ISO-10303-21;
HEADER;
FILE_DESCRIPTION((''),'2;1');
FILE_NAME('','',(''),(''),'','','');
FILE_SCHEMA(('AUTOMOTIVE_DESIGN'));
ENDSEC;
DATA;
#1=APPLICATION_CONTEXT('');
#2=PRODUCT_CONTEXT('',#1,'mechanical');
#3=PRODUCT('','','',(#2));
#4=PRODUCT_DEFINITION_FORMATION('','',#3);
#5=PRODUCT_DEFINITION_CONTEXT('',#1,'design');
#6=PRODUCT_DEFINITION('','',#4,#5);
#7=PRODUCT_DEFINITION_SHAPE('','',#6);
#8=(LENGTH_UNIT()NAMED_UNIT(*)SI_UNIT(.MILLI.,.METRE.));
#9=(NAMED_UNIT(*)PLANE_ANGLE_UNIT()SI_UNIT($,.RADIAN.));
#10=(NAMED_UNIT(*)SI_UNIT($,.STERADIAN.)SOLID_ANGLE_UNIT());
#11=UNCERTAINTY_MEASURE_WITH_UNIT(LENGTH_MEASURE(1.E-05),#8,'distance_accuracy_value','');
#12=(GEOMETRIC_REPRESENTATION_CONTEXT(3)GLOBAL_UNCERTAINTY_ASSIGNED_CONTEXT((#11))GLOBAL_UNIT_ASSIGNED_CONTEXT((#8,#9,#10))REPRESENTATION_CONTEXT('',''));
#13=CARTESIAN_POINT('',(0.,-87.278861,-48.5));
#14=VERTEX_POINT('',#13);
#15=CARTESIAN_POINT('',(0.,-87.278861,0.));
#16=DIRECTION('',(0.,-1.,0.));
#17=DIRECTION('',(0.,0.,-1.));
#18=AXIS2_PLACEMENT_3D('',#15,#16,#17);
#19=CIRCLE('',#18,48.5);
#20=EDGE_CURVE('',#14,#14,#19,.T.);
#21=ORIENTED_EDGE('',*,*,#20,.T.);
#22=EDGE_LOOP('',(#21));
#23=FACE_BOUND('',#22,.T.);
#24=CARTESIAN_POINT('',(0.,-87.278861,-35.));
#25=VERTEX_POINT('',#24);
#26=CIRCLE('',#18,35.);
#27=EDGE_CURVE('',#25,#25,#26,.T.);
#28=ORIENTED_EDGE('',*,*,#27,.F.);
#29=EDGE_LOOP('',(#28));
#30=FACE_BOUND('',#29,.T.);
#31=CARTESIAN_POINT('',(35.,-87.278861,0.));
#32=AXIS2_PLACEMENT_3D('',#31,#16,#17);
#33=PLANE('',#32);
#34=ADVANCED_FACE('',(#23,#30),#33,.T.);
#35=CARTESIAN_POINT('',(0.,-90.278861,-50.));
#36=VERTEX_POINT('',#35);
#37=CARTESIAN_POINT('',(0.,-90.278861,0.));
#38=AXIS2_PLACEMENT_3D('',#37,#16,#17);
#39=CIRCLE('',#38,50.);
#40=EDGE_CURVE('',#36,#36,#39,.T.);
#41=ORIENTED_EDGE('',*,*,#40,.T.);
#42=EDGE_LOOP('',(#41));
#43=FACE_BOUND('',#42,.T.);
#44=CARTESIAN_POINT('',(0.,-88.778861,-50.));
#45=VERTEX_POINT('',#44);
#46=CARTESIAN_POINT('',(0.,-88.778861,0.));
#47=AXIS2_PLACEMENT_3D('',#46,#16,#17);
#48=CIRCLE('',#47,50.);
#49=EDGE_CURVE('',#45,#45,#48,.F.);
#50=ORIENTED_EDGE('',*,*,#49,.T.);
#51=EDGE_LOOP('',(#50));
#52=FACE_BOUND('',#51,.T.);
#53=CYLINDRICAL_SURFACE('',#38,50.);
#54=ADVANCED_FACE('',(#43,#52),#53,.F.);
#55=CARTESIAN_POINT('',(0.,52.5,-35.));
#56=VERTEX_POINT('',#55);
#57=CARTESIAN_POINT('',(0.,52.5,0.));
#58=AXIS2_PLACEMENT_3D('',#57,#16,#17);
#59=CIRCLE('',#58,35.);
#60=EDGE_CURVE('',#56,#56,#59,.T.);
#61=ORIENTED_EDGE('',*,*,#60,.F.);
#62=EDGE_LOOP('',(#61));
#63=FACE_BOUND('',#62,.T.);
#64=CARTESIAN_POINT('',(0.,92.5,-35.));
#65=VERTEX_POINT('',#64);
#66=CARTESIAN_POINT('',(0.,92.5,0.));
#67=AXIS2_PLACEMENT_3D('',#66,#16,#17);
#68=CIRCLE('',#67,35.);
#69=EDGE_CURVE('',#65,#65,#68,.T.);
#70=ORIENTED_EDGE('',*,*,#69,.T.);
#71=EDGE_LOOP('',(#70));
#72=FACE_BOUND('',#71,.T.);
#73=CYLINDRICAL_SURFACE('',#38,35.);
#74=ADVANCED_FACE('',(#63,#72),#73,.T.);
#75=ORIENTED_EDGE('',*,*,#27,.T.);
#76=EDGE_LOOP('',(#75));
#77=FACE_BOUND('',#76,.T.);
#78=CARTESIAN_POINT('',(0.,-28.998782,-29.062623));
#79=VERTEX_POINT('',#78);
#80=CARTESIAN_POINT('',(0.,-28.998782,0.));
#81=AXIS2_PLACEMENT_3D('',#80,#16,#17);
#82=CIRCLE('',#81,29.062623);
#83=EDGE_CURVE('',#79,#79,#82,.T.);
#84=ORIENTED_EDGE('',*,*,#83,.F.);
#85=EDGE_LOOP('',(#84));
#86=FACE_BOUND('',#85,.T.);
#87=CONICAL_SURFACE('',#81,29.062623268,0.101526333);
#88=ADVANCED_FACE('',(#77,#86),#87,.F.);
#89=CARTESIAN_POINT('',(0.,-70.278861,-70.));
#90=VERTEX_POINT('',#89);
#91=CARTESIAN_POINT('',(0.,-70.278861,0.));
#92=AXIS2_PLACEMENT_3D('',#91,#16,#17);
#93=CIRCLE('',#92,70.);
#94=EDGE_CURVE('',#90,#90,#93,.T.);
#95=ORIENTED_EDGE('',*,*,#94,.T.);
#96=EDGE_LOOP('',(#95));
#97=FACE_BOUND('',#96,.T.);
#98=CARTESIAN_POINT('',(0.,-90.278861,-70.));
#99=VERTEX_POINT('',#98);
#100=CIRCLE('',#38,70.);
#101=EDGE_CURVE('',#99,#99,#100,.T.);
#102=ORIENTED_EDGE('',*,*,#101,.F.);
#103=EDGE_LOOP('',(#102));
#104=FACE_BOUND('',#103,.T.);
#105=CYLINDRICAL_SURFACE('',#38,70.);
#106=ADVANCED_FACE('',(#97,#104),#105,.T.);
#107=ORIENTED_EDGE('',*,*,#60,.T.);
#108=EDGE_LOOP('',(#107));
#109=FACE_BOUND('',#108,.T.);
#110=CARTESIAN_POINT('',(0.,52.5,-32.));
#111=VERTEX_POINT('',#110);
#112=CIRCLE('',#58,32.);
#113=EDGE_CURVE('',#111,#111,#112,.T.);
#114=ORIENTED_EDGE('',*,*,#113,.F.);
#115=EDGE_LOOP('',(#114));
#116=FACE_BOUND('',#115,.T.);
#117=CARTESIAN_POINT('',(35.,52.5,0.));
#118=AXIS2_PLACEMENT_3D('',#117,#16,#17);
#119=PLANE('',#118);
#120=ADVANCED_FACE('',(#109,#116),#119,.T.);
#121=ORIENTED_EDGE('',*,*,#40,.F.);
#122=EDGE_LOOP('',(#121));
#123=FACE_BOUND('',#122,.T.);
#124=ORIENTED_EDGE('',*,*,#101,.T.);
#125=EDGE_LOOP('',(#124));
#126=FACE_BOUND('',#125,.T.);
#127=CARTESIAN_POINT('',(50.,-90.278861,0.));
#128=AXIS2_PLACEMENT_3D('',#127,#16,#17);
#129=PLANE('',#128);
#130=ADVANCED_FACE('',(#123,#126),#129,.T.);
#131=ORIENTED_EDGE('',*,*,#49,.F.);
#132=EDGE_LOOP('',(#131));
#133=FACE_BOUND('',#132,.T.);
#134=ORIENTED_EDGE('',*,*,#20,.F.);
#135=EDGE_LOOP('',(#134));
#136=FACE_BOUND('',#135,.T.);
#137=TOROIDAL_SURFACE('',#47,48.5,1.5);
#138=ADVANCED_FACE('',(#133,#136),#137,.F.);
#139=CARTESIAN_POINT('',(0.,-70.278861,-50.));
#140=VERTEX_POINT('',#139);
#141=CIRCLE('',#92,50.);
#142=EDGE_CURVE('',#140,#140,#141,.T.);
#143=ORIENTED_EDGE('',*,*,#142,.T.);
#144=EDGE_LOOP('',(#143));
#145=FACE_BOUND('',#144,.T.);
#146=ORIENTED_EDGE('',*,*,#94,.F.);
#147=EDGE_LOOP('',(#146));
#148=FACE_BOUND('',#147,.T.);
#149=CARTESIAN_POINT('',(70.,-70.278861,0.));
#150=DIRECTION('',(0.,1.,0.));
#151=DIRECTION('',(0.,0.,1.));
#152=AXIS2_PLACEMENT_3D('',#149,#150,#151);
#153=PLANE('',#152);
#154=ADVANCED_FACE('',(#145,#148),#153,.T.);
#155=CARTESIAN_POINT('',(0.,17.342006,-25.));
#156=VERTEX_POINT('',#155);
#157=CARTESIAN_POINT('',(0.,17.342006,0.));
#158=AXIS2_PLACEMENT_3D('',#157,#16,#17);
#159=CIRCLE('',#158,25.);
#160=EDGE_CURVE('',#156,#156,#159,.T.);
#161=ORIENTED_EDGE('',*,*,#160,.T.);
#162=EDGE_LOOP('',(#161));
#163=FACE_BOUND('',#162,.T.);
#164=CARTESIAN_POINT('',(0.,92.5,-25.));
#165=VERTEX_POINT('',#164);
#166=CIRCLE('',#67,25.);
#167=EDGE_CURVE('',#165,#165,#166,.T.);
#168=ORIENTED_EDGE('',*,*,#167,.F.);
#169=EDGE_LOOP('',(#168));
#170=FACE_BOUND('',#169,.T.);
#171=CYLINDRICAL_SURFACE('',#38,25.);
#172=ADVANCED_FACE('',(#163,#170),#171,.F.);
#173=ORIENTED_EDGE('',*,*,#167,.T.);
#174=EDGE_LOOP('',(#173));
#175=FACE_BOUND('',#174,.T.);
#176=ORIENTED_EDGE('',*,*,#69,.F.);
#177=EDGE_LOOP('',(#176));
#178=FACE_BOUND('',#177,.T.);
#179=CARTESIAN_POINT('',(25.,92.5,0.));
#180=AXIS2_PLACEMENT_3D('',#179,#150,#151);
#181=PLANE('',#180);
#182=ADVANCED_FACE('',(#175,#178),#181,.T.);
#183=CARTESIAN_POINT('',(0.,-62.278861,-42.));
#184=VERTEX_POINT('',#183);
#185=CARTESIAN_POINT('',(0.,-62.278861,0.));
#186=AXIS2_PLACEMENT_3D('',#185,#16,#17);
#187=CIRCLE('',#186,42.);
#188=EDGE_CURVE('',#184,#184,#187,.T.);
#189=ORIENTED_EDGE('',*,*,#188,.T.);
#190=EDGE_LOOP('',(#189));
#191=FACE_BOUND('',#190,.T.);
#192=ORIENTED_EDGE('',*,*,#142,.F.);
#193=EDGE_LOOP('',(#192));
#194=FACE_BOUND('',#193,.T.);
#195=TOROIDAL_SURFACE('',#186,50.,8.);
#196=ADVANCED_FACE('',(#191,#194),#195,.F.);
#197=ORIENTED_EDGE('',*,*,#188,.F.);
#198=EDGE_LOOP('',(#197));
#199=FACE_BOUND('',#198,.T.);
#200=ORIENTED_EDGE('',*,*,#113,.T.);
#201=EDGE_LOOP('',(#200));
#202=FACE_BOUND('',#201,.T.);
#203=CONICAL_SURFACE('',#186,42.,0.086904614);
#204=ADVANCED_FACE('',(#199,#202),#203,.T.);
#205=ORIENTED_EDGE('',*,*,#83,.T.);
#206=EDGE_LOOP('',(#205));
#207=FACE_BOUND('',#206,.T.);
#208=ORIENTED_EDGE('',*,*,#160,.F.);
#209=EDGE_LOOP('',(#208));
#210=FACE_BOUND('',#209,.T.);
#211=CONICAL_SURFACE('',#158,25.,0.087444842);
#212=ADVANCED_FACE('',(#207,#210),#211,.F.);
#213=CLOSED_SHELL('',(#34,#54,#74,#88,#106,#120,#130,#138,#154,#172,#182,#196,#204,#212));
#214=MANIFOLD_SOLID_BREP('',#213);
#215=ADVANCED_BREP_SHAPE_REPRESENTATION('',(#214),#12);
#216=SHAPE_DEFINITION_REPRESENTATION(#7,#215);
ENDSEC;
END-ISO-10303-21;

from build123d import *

# Parameters (mm, degrees)
FILLET1_R = 1.5


with BuildPart() as part:
    # Sketch1 → Revolve1 (revolve)
    with BuildSketch(Plane.XY):
        with BuildLine():
            Line((29.062623268, -28.998781924), (35, -87.278860618))
            Line((35, -87.278860618), (50, -87.278860618))
            Line((50, -87.278860618), (50, -90.278860618))
            Line((50, -90.278860618), (70, -90.278860618))
            Line((70, -90.278860618), (70, -70.278860618))
            Line((70, -70.278860618), (50, -70.278860618))
            ThreePointArc((50, -70.278860618), (44.343145751, -67.935714867), (42, -62.278860618))
            Line((42, -62.278860618), (32, 52.5))
            Line((32, 52.5), (35, 52.5))
            Line((35, 52.5), (35, 92.5))
            Line((35, 92.5), (25, 92.5))
            Line((25, 92.5), (25, 17.342006044))
            Line((25, 17.342006044), (29.062623268, -28.998781924))
        make_face()
    revolve(axis=Axis((0, -90.278860618, 0), (0, 1, 0)))

    # Fillet1
    fillet1_edges = [part.edges().sort_by_distance(p)[0] for p in [
        (-50, -87.278860618, 0),
    ]]
    fillet(fillet1_edges, radius=FILLET1_R)


solid = part.part
